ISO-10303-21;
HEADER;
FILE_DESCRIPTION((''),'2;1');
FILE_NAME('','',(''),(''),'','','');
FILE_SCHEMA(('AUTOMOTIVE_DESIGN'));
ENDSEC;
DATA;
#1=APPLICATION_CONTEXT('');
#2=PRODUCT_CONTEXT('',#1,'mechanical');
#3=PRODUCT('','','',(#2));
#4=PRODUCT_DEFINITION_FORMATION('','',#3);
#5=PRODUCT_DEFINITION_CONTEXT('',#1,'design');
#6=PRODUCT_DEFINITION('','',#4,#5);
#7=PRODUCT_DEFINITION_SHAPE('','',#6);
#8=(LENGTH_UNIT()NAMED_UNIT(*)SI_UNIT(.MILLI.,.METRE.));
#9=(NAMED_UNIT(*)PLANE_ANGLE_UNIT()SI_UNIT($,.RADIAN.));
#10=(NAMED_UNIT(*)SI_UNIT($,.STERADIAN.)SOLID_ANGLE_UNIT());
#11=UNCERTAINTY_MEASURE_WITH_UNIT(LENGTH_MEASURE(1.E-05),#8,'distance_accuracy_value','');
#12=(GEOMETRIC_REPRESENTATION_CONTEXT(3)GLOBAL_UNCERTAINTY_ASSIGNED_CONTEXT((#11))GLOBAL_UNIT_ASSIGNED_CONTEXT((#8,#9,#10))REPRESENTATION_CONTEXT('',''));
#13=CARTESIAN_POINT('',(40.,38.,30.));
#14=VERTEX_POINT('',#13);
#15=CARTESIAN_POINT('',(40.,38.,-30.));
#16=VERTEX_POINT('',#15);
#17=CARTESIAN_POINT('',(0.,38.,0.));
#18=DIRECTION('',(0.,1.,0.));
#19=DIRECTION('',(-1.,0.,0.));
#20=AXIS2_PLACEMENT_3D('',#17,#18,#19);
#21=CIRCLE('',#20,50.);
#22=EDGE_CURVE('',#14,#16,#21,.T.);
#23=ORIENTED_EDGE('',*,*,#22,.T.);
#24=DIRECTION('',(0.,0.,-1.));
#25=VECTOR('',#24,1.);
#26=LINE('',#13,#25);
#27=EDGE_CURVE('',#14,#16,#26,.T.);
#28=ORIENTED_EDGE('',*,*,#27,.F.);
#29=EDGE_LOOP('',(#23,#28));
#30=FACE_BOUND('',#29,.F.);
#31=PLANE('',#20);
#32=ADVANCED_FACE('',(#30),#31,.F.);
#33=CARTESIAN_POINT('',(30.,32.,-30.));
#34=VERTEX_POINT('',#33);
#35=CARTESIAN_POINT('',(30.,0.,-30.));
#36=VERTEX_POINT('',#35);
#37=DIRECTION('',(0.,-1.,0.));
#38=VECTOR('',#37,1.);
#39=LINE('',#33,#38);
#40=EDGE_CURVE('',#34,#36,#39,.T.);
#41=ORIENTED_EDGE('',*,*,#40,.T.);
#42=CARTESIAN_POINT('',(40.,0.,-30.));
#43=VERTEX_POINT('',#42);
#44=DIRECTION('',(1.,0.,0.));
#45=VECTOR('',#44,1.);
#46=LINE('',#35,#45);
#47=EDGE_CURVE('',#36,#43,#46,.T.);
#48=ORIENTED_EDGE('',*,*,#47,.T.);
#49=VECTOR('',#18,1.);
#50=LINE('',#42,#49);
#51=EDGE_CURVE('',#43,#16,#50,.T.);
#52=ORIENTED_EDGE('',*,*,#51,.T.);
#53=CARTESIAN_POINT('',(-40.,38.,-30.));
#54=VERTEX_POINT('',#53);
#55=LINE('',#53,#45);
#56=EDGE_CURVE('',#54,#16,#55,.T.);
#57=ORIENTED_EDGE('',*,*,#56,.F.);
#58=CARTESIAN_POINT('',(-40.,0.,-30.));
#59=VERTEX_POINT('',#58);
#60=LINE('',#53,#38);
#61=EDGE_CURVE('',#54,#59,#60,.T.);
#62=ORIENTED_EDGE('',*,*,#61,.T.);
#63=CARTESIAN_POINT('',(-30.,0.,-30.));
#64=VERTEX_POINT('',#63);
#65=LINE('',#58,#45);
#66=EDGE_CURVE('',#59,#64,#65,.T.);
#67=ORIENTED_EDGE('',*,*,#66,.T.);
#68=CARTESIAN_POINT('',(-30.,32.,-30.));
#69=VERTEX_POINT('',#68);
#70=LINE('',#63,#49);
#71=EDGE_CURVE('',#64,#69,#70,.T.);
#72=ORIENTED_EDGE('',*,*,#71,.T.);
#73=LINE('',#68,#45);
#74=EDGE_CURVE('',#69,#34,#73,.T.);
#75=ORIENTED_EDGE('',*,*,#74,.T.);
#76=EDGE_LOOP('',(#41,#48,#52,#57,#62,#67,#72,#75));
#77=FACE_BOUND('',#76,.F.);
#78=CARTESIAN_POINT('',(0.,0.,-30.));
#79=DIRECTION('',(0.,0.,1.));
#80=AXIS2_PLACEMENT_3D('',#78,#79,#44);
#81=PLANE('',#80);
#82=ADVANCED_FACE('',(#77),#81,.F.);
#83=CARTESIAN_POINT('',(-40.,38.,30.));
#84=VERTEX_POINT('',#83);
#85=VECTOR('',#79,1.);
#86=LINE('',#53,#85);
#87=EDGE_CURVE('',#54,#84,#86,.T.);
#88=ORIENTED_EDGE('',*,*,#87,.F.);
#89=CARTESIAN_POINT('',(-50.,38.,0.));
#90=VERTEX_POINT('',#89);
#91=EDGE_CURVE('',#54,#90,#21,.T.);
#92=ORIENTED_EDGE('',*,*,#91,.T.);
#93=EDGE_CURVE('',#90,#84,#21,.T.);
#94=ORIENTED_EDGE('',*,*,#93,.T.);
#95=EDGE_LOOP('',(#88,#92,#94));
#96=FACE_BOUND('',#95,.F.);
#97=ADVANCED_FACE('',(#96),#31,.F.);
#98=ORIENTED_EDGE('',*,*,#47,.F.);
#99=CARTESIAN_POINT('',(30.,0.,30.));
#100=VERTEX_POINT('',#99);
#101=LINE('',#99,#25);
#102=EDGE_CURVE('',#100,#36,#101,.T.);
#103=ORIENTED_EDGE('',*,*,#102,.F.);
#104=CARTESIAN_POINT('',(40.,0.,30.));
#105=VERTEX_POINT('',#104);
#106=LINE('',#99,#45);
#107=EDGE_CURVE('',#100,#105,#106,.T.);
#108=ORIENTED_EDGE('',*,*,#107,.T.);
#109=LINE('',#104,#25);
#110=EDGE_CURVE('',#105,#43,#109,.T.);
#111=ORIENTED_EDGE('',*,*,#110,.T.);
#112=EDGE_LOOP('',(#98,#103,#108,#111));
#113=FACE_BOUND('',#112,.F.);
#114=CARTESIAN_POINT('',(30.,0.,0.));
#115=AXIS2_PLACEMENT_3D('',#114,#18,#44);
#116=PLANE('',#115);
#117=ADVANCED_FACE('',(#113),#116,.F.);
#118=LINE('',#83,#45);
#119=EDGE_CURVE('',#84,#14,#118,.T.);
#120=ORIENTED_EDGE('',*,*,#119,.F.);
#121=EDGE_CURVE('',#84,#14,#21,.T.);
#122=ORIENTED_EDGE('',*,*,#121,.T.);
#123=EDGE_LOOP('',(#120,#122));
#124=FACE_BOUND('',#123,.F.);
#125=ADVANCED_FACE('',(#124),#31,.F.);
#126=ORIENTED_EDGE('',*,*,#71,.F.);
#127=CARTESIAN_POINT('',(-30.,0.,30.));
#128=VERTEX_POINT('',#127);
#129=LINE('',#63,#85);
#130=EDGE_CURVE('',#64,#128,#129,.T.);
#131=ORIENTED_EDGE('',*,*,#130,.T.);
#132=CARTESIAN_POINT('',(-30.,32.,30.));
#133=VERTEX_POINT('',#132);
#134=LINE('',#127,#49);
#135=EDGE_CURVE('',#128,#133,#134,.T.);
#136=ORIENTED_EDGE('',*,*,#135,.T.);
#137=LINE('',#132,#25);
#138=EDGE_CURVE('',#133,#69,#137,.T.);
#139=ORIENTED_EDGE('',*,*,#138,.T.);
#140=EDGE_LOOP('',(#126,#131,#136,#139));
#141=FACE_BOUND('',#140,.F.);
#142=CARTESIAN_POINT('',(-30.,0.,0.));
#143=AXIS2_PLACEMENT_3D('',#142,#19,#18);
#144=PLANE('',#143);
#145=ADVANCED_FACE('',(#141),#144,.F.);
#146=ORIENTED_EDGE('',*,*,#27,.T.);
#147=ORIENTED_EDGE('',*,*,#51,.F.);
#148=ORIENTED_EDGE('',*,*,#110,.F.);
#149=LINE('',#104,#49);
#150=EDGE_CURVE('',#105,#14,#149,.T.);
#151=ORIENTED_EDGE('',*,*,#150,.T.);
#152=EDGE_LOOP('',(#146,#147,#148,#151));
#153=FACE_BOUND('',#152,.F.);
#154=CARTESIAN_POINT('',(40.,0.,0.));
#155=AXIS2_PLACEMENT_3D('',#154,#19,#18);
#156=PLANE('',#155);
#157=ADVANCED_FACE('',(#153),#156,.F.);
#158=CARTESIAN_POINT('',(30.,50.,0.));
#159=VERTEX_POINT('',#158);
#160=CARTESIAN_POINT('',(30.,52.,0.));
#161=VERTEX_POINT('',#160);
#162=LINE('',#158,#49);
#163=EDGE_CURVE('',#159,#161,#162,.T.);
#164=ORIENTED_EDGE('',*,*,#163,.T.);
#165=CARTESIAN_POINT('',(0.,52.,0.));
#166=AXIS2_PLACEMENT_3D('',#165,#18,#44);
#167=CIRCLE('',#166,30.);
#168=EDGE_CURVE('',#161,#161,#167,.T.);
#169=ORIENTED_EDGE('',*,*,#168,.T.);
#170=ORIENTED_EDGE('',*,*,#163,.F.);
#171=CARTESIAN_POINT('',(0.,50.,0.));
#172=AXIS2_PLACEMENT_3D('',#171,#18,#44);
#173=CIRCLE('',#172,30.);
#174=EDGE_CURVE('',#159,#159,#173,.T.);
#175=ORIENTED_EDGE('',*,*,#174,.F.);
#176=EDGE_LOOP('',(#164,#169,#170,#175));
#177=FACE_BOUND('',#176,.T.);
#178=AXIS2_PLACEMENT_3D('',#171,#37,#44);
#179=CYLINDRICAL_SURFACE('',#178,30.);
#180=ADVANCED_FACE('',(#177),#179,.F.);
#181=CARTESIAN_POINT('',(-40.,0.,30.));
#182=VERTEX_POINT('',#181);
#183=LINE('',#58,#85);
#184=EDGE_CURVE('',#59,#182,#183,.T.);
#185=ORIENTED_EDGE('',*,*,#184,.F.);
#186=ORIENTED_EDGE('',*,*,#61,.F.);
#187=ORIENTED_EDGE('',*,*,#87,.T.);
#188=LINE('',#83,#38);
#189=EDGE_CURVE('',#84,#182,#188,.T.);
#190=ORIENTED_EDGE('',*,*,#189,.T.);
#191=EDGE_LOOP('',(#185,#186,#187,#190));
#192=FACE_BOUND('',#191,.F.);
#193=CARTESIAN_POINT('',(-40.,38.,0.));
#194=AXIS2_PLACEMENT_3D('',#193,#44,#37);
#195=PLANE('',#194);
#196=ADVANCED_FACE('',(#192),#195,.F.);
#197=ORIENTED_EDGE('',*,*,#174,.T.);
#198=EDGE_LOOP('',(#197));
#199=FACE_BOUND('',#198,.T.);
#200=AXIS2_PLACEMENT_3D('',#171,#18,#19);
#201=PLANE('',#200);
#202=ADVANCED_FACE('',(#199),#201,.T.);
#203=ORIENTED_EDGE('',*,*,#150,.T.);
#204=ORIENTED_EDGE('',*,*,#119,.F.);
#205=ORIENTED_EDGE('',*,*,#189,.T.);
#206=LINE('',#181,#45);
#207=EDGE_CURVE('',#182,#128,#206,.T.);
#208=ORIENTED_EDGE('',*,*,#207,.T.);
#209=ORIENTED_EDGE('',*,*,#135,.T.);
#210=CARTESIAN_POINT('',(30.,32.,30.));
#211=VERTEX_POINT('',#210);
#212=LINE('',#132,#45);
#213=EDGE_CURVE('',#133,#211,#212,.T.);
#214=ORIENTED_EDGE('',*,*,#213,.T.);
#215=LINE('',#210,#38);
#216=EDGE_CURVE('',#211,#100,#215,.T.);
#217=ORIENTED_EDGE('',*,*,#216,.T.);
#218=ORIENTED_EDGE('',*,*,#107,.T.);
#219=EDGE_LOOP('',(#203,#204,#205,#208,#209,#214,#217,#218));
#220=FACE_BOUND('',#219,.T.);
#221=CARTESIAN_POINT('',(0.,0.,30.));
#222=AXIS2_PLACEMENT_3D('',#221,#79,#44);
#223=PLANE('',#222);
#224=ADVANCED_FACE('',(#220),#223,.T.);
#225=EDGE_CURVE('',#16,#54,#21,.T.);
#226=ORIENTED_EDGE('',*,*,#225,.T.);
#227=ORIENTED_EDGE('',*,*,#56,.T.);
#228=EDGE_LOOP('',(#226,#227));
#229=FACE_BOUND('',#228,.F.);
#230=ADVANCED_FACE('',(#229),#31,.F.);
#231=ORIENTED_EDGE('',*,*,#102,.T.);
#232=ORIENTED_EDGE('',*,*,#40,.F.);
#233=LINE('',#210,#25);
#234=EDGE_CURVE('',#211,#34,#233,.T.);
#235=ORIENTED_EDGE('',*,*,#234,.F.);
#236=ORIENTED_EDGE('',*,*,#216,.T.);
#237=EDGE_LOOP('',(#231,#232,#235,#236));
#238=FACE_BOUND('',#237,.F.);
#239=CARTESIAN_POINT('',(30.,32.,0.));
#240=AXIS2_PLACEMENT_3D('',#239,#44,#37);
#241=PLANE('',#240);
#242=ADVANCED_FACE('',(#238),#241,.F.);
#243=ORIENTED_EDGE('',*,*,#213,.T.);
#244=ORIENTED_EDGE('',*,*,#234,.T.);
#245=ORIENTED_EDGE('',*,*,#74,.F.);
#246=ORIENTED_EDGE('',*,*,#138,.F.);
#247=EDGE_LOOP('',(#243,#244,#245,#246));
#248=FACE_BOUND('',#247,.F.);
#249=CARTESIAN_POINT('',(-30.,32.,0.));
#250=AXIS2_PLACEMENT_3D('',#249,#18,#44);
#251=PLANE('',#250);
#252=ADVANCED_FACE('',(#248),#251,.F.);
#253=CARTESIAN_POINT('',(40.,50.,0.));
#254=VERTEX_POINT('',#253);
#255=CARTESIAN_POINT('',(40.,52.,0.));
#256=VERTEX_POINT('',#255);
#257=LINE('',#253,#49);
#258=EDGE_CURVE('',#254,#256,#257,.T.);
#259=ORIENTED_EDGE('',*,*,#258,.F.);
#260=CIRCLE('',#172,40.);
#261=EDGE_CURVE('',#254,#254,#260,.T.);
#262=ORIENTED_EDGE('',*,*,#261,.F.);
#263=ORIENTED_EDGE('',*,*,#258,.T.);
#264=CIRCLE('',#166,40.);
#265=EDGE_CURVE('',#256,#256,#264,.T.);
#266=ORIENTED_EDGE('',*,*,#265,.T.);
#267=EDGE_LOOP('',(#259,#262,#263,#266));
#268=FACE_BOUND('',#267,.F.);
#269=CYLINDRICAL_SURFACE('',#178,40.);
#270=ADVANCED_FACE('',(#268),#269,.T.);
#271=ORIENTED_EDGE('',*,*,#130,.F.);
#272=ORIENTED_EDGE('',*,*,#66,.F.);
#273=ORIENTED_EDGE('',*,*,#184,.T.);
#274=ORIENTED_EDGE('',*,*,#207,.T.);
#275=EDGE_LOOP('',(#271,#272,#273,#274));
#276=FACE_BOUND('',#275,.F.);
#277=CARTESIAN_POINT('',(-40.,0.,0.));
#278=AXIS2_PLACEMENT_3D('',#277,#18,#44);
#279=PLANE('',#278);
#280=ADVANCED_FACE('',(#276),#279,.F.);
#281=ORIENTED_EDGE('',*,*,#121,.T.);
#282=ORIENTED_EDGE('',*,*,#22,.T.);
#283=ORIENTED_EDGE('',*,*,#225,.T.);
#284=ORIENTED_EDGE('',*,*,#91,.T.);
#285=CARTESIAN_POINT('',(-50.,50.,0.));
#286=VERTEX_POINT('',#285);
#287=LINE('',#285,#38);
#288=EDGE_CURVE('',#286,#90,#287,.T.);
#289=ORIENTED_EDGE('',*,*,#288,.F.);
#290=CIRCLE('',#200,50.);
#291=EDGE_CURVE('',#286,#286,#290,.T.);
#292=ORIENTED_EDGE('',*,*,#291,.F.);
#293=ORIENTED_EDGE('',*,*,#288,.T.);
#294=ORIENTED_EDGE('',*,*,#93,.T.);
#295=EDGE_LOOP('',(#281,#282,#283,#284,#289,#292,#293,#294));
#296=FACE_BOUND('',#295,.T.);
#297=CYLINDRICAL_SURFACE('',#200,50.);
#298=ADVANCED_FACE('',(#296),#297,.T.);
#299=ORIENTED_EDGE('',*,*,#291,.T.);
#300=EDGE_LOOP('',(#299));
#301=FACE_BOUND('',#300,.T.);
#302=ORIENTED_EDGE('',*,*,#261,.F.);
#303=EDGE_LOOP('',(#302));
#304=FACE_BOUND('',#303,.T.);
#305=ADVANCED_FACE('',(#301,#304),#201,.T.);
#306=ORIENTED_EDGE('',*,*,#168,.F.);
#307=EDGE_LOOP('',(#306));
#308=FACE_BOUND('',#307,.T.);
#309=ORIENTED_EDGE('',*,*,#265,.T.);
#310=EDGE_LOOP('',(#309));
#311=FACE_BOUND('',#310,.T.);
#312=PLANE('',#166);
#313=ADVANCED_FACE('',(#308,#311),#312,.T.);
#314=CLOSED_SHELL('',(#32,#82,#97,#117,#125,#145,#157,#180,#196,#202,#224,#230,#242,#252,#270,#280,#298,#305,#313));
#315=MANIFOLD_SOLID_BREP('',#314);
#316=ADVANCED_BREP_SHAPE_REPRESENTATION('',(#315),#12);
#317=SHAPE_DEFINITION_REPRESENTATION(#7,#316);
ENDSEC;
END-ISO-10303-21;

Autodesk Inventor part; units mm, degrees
ref_plane "Work Plane1" through (0, 50, 0) normal (0, 1, 0) x (-1, 0, 0)
sketch "Sketch1" plane through (0, 50, 0) normal (0, 1, 0) x (-1, 0, 0)
  circle A0 centre (0, 0) radius 50
  dimension "d11" = 100
extrude "Extrusion1" add sketch "Sketch1" against normal blind 12
sketch "Sketch2" plane through (0, 0, 0) normal (0, 0, 1) x (1, 0, 0)
  line L0 (-40, 38) -> (40, 38) projected
  line L1 (-40, 50) -> (-40, 38) projected
  line L2 (-40, 38) -> (-40, 0)
  line L3 (-40, 0) -> (-30, 0)
  line L4 (-30, 0) -> (-30, 32)
  line L5 (-30, 32) -> (30, 32)
  line L6 (30, 32) -> (30, 0)
  line L7 (30, 0) -> (40, 0)
  line L8 (40, 50) -> (40, 38) projected
  line L9 (40, 0) -> (40, 38)
  point P0 (0, 0)
  dimension "d5" = 10
  dimension "d6" = 32
  dimension "d7" = 60
  dimension "d8" = 10
extrude "Extrusion2" add sketch "Sketch2" along normal mid plane 60
sketch "Sketch3" plane through (0, 50, 0) normal (0, 1, 0) x (1, 0, 0)
  circle A0 centre (0, 0) radius 40
  circle A1 centre (0, 0) radius 30
  dimension "d12" = 80
  dimension "d15" = 60
extrude "Extrusion3" add sketch "Sketch3" along normal blind 2
properties part number "Z5" material "Steel, Alloy"
